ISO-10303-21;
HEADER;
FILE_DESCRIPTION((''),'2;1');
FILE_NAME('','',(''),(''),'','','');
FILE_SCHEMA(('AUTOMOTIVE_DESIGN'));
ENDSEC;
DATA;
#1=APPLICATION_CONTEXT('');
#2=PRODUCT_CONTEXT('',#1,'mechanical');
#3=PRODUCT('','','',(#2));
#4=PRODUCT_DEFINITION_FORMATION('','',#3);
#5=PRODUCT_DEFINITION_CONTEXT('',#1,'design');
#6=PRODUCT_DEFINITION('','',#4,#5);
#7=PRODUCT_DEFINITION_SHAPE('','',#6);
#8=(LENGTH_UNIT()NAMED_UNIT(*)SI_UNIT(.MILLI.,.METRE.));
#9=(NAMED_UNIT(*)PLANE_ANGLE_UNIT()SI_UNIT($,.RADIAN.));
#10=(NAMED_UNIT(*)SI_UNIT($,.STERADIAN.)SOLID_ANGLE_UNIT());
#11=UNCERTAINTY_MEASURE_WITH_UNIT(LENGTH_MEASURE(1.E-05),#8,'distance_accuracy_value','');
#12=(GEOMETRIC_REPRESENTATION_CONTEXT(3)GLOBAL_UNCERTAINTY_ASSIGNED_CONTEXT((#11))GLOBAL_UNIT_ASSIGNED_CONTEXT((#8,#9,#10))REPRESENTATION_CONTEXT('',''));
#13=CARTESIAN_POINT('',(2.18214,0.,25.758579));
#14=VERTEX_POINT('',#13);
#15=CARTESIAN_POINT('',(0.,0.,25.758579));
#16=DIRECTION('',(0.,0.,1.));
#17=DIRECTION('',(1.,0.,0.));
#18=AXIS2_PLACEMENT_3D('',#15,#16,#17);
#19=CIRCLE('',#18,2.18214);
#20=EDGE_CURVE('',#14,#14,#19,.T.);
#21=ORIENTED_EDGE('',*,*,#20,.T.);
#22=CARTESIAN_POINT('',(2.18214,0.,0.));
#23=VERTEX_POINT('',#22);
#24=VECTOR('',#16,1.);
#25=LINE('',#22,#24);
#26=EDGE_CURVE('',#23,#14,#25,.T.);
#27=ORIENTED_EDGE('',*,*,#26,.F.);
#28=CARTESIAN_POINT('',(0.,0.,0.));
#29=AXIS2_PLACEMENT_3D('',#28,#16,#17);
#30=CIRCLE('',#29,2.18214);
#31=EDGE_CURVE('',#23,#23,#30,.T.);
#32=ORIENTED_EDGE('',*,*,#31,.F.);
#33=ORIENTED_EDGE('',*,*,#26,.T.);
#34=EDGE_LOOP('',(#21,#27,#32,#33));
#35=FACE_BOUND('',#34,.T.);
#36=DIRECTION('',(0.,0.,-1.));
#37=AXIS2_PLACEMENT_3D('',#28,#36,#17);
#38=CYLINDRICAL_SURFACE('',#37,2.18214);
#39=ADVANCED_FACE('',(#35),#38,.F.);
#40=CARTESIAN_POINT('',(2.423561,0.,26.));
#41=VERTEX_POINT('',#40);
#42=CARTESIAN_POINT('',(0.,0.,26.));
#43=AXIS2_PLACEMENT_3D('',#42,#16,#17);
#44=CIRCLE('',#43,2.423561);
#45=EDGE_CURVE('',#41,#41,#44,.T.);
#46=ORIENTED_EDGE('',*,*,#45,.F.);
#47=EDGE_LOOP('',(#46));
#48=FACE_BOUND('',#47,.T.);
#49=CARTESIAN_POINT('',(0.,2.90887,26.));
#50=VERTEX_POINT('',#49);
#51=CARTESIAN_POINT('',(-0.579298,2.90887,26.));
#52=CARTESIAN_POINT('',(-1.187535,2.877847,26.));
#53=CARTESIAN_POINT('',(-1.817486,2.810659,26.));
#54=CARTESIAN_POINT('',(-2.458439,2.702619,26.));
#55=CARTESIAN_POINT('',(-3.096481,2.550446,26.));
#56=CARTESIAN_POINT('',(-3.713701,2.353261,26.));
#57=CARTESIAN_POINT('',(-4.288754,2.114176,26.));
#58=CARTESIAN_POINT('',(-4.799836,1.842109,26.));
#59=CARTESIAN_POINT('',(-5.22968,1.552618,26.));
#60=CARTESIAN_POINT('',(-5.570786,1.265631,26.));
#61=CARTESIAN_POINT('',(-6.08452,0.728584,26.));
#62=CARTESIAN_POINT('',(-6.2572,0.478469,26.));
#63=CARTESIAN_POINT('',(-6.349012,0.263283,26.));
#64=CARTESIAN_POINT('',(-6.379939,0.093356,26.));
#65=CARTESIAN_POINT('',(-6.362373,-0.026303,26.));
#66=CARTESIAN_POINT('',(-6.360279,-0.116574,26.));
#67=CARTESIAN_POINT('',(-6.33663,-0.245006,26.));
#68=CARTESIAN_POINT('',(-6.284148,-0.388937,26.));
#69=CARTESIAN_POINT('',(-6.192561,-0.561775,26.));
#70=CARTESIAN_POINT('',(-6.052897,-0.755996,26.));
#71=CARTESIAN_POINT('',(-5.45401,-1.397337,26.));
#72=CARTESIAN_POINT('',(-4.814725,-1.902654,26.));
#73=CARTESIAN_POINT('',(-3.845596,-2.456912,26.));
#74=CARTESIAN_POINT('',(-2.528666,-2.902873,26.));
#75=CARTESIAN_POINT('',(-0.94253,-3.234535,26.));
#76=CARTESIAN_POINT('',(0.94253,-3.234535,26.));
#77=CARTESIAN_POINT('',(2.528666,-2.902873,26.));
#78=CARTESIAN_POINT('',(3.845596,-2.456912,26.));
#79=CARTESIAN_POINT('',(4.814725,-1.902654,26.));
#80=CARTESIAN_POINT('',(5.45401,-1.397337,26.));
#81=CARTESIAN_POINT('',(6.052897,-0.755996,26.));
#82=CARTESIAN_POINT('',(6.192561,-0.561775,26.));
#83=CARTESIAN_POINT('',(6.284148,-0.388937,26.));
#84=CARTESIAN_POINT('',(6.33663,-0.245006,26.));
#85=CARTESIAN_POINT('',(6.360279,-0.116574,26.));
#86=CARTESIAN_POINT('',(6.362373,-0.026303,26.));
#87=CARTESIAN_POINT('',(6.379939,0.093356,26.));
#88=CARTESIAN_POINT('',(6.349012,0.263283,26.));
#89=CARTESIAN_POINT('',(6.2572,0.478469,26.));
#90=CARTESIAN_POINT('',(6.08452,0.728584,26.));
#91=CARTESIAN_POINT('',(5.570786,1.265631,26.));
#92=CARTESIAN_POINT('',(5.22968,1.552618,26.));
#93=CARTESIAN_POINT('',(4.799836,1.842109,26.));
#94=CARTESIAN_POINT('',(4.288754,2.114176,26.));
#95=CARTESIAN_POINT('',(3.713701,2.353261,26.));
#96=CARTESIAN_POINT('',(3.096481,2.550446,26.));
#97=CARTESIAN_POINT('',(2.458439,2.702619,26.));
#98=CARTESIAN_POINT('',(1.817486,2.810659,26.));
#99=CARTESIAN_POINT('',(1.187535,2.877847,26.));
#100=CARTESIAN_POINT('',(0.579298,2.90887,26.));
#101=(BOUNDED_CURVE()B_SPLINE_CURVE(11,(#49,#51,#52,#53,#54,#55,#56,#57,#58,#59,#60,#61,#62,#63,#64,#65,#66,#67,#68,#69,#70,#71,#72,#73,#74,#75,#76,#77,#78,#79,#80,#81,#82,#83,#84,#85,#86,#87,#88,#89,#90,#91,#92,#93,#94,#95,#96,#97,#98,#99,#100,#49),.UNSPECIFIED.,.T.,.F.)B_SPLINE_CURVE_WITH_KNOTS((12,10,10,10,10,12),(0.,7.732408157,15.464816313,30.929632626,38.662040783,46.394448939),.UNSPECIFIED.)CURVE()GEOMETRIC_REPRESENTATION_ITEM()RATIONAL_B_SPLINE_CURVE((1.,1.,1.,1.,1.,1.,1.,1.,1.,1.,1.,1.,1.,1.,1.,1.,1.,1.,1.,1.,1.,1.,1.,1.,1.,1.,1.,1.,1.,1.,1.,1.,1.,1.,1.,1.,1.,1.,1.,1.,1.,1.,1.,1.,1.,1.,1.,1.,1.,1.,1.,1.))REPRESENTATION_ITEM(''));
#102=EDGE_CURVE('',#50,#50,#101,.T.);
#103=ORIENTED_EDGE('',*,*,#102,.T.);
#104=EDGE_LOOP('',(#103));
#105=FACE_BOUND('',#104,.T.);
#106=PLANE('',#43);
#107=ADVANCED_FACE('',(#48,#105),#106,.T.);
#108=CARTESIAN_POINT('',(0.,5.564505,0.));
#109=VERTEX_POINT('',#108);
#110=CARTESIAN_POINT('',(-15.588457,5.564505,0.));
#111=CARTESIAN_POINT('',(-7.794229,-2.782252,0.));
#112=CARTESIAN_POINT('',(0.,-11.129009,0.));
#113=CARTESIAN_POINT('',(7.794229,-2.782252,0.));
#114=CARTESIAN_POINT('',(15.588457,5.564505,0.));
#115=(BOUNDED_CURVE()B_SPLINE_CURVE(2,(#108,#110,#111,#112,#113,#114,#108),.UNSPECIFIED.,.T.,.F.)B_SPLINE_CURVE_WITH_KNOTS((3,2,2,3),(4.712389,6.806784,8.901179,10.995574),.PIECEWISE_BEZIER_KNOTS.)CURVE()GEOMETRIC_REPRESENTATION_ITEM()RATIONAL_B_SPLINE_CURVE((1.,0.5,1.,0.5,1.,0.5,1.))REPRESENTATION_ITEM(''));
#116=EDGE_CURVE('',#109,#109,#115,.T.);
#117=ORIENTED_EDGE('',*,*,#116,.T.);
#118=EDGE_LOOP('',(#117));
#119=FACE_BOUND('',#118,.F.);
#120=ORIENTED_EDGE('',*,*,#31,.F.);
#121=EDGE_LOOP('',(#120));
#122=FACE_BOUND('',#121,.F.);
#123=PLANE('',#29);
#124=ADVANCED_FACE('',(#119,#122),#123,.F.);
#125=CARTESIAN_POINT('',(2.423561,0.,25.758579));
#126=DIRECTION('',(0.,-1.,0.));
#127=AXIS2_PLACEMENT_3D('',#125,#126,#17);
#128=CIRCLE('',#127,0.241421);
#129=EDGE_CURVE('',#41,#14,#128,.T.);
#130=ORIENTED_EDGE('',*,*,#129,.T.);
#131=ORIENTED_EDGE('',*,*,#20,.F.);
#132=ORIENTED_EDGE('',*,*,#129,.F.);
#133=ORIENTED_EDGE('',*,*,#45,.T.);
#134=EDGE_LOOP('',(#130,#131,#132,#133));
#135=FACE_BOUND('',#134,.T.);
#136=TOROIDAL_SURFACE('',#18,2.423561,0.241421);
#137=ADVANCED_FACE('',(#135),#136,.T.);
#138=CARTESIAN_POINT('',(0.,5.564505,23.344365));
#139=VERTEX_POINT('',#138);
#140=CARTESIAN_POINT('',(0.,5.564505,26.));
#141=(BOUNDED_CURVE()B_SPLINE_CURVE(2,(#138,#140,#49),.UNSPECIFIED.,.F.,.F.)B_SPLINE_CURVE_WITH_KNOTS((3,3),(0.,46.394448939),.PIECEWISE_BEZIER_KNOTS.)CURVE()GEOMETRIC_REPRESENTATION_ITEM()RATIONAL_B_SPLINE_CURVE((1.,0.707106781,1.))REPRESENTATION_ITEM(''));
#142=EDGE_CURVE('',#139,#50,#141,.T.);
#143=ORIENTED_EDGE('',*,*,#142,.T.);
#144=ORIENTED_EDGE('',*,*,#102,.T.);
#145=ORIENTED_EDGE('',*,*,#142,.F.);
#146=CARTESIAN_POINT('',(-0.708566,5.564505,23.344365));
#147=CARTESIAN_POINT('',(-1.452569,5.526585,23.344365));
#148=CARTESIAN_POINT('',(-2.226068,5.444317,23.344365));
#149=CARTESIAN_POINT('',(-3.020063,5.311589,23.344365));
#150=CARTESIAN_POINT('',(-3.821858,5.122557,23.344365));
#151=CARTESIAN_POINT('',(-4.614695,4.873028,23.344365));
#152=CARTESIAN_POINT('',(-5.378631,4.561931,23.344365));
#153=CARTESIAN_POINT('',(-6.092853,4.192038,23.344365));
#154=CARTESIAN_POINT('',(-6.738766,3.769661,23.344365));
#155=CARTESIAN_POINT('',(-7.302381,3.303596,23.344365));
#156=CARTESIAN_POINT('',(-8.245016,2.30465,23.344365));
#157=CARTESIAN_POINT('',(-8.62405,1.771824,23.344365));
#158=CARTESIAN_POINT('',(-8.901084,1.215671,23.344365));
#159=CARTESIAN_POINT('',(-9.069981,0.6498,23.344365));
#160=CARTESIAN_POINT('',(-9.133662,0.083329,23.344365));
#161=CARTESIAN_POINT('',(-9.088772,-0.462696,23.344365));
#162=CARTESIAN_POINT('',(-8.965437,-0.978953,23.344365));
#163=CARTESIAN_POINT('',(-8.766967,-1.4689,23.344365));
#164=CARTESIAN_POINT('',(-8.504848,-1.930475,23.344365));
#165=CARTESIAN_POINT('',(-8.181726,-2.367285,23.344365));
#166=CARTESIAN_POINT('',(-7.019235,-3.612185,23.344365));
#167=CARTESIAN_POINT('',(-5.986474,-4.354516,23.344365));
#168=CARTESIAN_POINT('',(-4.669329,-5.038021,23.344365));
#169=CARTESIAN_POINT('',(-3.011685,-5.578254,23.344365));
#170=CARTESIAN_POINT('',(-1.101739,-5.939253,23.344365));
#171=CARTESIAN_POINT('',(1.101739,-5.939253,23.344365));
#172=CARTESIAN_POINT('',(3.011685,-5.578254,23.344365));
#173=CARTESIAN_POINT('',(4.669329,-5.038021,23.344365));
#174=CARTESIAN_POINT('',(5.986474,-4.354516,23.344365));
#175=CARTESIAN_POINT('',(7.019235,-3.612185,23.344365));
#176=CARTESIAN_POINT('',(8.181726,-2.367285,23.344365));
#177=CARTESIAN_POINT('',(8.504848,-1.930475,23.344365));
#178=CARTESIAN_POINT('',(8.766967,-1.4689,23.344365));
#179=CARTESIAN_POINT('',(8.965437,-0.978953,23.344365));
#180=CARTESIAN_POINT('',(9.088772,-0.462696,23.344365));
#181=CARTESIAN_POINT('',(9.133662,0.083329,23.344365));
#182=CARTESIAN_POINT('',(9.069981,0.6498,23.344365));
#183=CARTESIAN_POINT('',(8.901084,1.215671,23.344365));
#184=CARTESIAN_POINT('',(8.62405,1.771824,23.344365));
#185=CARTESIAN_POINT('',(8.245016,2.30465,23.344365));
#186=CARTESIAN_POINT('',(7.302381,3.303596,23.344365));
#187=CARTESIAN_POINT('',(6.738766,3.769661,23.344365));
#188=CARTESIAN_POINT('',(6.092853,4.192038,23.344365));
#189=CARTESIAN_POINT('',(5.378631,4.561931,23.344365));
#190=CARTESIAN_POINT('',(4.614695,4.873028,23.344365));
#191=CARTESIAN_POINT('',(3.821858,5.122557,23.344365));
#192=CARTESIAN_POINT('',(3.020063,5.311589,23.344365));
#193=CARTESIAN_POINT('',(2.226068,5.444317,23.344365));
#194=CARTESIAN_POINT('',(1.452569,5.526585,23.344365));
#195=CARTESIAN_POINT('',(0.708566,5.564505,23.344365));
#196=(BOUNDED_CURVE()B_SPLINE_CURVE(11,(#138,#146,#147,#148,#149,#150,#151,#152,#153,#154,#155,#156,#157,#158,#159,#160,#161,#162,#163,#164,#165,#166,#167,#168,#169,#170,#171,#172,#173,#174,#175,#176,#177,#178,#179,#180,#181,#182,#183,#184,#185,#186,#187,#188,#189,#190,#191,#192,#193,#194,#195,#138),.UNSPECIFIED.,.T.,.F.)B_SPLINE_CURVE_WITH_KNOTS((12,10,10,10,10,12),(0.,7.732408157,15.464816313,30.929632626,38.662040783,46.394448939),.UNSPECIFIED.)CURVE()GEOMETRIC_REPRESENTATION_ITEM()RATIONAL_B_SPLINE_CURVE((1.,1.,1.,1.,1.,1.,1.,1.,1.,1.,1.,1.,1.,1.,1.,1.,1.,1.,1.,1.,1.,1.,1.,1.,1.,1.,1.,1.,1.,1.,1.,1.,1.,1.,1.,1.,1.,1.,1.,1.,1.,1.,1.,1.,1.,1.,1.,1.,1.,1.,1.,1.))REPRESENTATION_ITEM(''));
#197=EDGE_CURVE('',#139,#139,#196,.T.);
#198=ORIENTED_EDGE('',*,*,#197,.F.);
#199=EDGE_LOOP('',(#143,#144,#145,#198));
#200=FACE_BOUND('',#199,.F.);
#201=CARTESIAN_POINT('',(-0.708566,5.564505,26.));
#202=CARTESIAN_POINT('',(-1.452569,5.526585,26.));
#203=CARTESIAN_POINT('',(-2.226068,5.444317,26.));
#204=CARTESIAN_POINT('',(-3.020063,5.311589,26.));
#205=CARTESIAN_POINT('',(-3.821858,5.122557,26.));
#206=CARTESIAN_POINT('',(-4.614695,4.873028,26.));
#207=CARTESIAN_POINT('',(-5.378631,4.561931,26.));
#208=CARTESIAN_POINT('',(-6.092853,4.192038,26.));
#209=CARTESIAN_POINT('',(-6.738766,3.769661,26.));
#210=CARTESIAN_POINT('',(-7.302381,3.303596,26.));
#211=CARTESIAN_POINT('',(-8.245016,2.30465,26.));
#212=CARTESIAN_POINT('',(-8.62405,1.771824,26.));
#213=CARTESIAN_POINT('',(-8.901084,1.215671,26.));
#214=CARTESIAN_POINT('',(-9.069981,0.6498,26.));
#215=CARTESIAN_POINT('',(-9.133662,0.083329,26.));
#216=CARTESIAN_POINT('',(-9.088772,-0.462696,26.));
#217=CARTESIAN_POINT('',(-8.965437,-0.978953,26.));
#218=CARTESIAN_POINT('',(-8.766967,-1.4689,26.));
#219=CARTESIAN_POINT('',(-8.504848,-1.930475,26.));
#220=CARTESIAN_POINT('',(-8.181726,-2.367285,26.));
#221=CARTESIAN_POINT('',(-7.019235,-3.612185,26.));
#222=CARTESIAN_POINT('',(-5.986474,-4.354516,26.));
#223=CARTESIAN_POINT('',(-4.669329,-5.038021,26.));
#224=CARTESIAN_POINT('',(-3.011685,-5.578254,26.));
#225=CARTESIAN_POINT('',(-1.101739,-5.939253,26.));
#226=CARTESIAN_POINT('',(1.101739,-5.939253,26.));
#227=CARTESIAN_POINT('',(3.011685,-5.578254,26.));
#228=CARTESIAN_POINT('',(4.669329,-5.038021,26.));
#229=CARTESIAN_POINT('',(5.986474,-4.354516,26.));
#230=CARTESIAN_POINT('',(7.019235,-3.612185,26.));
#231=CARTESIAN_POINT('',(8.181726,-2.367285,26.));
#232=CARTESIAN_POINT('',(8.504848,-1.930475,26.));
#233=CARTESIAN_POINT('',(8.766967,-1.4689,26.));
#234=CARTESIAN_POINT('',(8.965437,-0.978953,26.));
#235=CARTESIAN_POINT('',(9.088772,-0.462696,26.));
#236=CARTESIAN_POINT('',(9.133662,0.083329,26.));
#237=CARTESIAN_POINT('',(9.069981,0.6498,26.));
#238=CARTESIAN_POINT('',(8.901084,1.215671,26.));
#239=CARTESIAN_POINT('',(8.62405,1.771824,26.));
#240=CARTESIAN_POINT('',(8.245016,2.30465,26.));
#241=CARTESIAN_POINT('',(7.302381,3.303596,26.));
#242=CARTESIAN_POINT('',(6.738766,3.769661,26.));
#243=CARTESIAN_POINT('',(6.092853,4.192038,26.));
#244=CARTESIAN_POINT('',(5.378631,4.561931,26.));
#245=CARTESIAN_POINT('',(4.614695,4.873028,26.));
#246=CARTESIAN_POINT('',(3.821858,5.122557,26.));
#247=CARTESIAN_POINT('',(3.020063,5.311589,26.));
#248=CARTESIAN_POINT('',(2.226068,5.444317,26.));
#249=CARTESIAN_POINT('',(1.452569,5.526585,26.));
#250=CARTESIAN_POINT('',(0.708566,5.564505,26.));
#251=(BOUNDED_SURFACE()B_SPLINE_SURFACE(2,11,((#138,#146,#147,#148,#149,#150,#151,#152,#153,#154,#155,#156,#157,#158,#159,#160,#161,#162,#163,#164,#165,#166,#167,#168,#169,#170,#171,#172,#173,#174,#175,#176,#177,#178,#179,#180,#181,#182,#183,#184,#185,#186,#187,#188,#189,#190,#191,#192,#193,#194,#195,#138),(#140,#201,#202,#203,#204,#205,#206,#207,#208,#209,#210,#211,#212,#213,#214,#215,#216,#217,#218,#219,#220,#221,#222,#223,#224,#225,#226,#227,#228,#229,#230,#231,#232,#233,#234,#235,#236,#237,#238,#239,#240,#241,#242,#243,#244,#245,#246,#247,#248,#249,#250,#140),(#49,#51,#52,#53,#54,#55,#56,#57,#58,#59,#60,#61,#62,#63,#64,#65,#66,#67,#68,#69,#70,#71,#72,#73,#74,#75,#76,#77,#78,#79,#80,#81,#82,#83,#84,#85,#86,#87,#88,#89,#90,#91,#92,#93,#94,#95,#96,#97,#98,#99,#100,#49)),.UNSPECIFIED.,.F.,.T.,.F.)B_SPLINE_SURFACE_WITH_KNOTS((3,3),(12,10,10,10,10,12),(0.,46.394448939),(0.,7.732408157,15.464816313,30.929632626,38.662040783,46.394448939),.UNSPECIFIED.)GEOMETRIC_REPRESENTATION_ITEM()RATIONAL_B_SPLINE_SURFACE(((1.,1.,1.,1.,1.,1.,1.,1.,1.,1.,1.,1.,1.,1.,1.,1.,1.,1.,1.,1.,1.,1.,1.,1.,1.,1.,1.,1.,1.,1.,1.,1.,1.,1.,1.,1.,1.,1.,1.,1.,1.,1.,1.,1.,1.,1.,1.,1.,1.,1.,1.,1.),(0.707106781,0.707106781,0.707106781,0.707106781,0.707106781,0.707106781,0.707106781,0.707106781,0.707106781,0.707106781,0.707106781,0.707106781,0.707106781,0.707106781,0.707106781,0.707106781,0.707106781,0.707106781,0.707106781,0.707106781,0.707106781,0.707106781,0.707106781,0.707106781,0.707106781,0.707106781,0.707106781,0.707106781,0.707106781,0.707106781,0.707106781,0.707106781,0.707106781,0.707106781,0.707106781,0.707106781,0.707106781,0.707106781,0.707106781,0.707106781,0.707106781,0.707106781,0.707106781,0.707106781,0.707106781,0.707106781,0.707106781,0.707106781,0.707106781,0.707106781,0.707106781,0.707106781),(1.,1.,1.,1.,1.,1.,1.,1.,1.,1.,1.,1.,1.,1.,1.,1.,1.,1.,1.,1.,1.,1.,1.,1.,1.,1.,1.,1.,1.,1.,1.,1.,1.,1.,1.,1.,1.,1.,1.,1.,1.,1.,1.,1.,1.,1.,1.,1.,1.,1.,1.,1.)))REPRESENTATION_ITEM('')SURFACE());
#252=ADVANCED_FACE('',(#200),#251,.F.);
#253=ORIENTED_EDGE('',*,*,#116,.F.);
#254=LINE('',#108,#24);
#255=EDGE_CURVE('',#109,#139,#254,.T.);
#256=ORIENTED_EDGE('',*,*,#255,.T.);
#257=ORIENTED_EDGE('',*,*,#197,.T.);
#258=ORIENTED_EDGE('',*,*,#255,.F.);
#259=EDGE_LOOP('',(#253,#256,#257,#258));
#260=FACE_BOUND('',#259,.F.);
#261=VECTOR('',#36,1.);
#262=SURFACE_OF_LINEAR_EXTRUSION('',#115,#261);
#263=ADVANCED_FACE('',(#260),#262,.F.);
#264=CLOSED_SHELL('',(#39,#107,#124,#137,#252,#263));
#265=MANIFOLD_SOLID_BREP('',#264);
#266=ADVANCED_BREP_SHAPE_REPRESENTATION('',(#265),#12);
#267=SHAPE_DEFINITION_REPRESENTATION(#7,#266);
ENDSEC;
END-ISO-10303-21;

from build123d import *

# Parameters (mm, degrees)
F0_R     = 2.18214
F1_DEPTH = 26
F2_R     = 2.655635
F3_R     = 0.241421


with BuildPart() as f1:
    # F0 (on Top) → F1 (new body)
    with BuildSketch(Plane.XY):
        with BuildLine():
            add(Edge.make_bspline(
                [(0, 5.564505), (-15.588457, 5.564505), (-7.794229, -2.782252), (0, -11.129009), (7.794229, -2.782252), (15.588457, 5.564505), (0, 5.564505)],
                knots=[4.712389, 4.712389, 4.712389, 6.806784, 6.806784, 8.901179, 8.901179, 10.995574, 10.995574, 10.995574], degree=2, weights=[1, 0.5, 1, 0.5, 1, 0.5, 1]))
        make_face()
        Circle(F0_R, mode=Mode.SUBTRACT)
    extrude(amount=F1_DEPTH)

    # F2
    f2_edges = [f1.edges().sort_by_distance(p)[0] for p in [
        (0, -5.564505, 26),
    ]]
    fillet(f2_edges, radius=F2_R)

    # F3
    f3_edges = [f1.edges().sort_by_distance(p)[0] for p in [
        (-2.18214, 0, 26),
    ]]
    fillet(f3_edges, radius=F3_R)


solid = f1.part
